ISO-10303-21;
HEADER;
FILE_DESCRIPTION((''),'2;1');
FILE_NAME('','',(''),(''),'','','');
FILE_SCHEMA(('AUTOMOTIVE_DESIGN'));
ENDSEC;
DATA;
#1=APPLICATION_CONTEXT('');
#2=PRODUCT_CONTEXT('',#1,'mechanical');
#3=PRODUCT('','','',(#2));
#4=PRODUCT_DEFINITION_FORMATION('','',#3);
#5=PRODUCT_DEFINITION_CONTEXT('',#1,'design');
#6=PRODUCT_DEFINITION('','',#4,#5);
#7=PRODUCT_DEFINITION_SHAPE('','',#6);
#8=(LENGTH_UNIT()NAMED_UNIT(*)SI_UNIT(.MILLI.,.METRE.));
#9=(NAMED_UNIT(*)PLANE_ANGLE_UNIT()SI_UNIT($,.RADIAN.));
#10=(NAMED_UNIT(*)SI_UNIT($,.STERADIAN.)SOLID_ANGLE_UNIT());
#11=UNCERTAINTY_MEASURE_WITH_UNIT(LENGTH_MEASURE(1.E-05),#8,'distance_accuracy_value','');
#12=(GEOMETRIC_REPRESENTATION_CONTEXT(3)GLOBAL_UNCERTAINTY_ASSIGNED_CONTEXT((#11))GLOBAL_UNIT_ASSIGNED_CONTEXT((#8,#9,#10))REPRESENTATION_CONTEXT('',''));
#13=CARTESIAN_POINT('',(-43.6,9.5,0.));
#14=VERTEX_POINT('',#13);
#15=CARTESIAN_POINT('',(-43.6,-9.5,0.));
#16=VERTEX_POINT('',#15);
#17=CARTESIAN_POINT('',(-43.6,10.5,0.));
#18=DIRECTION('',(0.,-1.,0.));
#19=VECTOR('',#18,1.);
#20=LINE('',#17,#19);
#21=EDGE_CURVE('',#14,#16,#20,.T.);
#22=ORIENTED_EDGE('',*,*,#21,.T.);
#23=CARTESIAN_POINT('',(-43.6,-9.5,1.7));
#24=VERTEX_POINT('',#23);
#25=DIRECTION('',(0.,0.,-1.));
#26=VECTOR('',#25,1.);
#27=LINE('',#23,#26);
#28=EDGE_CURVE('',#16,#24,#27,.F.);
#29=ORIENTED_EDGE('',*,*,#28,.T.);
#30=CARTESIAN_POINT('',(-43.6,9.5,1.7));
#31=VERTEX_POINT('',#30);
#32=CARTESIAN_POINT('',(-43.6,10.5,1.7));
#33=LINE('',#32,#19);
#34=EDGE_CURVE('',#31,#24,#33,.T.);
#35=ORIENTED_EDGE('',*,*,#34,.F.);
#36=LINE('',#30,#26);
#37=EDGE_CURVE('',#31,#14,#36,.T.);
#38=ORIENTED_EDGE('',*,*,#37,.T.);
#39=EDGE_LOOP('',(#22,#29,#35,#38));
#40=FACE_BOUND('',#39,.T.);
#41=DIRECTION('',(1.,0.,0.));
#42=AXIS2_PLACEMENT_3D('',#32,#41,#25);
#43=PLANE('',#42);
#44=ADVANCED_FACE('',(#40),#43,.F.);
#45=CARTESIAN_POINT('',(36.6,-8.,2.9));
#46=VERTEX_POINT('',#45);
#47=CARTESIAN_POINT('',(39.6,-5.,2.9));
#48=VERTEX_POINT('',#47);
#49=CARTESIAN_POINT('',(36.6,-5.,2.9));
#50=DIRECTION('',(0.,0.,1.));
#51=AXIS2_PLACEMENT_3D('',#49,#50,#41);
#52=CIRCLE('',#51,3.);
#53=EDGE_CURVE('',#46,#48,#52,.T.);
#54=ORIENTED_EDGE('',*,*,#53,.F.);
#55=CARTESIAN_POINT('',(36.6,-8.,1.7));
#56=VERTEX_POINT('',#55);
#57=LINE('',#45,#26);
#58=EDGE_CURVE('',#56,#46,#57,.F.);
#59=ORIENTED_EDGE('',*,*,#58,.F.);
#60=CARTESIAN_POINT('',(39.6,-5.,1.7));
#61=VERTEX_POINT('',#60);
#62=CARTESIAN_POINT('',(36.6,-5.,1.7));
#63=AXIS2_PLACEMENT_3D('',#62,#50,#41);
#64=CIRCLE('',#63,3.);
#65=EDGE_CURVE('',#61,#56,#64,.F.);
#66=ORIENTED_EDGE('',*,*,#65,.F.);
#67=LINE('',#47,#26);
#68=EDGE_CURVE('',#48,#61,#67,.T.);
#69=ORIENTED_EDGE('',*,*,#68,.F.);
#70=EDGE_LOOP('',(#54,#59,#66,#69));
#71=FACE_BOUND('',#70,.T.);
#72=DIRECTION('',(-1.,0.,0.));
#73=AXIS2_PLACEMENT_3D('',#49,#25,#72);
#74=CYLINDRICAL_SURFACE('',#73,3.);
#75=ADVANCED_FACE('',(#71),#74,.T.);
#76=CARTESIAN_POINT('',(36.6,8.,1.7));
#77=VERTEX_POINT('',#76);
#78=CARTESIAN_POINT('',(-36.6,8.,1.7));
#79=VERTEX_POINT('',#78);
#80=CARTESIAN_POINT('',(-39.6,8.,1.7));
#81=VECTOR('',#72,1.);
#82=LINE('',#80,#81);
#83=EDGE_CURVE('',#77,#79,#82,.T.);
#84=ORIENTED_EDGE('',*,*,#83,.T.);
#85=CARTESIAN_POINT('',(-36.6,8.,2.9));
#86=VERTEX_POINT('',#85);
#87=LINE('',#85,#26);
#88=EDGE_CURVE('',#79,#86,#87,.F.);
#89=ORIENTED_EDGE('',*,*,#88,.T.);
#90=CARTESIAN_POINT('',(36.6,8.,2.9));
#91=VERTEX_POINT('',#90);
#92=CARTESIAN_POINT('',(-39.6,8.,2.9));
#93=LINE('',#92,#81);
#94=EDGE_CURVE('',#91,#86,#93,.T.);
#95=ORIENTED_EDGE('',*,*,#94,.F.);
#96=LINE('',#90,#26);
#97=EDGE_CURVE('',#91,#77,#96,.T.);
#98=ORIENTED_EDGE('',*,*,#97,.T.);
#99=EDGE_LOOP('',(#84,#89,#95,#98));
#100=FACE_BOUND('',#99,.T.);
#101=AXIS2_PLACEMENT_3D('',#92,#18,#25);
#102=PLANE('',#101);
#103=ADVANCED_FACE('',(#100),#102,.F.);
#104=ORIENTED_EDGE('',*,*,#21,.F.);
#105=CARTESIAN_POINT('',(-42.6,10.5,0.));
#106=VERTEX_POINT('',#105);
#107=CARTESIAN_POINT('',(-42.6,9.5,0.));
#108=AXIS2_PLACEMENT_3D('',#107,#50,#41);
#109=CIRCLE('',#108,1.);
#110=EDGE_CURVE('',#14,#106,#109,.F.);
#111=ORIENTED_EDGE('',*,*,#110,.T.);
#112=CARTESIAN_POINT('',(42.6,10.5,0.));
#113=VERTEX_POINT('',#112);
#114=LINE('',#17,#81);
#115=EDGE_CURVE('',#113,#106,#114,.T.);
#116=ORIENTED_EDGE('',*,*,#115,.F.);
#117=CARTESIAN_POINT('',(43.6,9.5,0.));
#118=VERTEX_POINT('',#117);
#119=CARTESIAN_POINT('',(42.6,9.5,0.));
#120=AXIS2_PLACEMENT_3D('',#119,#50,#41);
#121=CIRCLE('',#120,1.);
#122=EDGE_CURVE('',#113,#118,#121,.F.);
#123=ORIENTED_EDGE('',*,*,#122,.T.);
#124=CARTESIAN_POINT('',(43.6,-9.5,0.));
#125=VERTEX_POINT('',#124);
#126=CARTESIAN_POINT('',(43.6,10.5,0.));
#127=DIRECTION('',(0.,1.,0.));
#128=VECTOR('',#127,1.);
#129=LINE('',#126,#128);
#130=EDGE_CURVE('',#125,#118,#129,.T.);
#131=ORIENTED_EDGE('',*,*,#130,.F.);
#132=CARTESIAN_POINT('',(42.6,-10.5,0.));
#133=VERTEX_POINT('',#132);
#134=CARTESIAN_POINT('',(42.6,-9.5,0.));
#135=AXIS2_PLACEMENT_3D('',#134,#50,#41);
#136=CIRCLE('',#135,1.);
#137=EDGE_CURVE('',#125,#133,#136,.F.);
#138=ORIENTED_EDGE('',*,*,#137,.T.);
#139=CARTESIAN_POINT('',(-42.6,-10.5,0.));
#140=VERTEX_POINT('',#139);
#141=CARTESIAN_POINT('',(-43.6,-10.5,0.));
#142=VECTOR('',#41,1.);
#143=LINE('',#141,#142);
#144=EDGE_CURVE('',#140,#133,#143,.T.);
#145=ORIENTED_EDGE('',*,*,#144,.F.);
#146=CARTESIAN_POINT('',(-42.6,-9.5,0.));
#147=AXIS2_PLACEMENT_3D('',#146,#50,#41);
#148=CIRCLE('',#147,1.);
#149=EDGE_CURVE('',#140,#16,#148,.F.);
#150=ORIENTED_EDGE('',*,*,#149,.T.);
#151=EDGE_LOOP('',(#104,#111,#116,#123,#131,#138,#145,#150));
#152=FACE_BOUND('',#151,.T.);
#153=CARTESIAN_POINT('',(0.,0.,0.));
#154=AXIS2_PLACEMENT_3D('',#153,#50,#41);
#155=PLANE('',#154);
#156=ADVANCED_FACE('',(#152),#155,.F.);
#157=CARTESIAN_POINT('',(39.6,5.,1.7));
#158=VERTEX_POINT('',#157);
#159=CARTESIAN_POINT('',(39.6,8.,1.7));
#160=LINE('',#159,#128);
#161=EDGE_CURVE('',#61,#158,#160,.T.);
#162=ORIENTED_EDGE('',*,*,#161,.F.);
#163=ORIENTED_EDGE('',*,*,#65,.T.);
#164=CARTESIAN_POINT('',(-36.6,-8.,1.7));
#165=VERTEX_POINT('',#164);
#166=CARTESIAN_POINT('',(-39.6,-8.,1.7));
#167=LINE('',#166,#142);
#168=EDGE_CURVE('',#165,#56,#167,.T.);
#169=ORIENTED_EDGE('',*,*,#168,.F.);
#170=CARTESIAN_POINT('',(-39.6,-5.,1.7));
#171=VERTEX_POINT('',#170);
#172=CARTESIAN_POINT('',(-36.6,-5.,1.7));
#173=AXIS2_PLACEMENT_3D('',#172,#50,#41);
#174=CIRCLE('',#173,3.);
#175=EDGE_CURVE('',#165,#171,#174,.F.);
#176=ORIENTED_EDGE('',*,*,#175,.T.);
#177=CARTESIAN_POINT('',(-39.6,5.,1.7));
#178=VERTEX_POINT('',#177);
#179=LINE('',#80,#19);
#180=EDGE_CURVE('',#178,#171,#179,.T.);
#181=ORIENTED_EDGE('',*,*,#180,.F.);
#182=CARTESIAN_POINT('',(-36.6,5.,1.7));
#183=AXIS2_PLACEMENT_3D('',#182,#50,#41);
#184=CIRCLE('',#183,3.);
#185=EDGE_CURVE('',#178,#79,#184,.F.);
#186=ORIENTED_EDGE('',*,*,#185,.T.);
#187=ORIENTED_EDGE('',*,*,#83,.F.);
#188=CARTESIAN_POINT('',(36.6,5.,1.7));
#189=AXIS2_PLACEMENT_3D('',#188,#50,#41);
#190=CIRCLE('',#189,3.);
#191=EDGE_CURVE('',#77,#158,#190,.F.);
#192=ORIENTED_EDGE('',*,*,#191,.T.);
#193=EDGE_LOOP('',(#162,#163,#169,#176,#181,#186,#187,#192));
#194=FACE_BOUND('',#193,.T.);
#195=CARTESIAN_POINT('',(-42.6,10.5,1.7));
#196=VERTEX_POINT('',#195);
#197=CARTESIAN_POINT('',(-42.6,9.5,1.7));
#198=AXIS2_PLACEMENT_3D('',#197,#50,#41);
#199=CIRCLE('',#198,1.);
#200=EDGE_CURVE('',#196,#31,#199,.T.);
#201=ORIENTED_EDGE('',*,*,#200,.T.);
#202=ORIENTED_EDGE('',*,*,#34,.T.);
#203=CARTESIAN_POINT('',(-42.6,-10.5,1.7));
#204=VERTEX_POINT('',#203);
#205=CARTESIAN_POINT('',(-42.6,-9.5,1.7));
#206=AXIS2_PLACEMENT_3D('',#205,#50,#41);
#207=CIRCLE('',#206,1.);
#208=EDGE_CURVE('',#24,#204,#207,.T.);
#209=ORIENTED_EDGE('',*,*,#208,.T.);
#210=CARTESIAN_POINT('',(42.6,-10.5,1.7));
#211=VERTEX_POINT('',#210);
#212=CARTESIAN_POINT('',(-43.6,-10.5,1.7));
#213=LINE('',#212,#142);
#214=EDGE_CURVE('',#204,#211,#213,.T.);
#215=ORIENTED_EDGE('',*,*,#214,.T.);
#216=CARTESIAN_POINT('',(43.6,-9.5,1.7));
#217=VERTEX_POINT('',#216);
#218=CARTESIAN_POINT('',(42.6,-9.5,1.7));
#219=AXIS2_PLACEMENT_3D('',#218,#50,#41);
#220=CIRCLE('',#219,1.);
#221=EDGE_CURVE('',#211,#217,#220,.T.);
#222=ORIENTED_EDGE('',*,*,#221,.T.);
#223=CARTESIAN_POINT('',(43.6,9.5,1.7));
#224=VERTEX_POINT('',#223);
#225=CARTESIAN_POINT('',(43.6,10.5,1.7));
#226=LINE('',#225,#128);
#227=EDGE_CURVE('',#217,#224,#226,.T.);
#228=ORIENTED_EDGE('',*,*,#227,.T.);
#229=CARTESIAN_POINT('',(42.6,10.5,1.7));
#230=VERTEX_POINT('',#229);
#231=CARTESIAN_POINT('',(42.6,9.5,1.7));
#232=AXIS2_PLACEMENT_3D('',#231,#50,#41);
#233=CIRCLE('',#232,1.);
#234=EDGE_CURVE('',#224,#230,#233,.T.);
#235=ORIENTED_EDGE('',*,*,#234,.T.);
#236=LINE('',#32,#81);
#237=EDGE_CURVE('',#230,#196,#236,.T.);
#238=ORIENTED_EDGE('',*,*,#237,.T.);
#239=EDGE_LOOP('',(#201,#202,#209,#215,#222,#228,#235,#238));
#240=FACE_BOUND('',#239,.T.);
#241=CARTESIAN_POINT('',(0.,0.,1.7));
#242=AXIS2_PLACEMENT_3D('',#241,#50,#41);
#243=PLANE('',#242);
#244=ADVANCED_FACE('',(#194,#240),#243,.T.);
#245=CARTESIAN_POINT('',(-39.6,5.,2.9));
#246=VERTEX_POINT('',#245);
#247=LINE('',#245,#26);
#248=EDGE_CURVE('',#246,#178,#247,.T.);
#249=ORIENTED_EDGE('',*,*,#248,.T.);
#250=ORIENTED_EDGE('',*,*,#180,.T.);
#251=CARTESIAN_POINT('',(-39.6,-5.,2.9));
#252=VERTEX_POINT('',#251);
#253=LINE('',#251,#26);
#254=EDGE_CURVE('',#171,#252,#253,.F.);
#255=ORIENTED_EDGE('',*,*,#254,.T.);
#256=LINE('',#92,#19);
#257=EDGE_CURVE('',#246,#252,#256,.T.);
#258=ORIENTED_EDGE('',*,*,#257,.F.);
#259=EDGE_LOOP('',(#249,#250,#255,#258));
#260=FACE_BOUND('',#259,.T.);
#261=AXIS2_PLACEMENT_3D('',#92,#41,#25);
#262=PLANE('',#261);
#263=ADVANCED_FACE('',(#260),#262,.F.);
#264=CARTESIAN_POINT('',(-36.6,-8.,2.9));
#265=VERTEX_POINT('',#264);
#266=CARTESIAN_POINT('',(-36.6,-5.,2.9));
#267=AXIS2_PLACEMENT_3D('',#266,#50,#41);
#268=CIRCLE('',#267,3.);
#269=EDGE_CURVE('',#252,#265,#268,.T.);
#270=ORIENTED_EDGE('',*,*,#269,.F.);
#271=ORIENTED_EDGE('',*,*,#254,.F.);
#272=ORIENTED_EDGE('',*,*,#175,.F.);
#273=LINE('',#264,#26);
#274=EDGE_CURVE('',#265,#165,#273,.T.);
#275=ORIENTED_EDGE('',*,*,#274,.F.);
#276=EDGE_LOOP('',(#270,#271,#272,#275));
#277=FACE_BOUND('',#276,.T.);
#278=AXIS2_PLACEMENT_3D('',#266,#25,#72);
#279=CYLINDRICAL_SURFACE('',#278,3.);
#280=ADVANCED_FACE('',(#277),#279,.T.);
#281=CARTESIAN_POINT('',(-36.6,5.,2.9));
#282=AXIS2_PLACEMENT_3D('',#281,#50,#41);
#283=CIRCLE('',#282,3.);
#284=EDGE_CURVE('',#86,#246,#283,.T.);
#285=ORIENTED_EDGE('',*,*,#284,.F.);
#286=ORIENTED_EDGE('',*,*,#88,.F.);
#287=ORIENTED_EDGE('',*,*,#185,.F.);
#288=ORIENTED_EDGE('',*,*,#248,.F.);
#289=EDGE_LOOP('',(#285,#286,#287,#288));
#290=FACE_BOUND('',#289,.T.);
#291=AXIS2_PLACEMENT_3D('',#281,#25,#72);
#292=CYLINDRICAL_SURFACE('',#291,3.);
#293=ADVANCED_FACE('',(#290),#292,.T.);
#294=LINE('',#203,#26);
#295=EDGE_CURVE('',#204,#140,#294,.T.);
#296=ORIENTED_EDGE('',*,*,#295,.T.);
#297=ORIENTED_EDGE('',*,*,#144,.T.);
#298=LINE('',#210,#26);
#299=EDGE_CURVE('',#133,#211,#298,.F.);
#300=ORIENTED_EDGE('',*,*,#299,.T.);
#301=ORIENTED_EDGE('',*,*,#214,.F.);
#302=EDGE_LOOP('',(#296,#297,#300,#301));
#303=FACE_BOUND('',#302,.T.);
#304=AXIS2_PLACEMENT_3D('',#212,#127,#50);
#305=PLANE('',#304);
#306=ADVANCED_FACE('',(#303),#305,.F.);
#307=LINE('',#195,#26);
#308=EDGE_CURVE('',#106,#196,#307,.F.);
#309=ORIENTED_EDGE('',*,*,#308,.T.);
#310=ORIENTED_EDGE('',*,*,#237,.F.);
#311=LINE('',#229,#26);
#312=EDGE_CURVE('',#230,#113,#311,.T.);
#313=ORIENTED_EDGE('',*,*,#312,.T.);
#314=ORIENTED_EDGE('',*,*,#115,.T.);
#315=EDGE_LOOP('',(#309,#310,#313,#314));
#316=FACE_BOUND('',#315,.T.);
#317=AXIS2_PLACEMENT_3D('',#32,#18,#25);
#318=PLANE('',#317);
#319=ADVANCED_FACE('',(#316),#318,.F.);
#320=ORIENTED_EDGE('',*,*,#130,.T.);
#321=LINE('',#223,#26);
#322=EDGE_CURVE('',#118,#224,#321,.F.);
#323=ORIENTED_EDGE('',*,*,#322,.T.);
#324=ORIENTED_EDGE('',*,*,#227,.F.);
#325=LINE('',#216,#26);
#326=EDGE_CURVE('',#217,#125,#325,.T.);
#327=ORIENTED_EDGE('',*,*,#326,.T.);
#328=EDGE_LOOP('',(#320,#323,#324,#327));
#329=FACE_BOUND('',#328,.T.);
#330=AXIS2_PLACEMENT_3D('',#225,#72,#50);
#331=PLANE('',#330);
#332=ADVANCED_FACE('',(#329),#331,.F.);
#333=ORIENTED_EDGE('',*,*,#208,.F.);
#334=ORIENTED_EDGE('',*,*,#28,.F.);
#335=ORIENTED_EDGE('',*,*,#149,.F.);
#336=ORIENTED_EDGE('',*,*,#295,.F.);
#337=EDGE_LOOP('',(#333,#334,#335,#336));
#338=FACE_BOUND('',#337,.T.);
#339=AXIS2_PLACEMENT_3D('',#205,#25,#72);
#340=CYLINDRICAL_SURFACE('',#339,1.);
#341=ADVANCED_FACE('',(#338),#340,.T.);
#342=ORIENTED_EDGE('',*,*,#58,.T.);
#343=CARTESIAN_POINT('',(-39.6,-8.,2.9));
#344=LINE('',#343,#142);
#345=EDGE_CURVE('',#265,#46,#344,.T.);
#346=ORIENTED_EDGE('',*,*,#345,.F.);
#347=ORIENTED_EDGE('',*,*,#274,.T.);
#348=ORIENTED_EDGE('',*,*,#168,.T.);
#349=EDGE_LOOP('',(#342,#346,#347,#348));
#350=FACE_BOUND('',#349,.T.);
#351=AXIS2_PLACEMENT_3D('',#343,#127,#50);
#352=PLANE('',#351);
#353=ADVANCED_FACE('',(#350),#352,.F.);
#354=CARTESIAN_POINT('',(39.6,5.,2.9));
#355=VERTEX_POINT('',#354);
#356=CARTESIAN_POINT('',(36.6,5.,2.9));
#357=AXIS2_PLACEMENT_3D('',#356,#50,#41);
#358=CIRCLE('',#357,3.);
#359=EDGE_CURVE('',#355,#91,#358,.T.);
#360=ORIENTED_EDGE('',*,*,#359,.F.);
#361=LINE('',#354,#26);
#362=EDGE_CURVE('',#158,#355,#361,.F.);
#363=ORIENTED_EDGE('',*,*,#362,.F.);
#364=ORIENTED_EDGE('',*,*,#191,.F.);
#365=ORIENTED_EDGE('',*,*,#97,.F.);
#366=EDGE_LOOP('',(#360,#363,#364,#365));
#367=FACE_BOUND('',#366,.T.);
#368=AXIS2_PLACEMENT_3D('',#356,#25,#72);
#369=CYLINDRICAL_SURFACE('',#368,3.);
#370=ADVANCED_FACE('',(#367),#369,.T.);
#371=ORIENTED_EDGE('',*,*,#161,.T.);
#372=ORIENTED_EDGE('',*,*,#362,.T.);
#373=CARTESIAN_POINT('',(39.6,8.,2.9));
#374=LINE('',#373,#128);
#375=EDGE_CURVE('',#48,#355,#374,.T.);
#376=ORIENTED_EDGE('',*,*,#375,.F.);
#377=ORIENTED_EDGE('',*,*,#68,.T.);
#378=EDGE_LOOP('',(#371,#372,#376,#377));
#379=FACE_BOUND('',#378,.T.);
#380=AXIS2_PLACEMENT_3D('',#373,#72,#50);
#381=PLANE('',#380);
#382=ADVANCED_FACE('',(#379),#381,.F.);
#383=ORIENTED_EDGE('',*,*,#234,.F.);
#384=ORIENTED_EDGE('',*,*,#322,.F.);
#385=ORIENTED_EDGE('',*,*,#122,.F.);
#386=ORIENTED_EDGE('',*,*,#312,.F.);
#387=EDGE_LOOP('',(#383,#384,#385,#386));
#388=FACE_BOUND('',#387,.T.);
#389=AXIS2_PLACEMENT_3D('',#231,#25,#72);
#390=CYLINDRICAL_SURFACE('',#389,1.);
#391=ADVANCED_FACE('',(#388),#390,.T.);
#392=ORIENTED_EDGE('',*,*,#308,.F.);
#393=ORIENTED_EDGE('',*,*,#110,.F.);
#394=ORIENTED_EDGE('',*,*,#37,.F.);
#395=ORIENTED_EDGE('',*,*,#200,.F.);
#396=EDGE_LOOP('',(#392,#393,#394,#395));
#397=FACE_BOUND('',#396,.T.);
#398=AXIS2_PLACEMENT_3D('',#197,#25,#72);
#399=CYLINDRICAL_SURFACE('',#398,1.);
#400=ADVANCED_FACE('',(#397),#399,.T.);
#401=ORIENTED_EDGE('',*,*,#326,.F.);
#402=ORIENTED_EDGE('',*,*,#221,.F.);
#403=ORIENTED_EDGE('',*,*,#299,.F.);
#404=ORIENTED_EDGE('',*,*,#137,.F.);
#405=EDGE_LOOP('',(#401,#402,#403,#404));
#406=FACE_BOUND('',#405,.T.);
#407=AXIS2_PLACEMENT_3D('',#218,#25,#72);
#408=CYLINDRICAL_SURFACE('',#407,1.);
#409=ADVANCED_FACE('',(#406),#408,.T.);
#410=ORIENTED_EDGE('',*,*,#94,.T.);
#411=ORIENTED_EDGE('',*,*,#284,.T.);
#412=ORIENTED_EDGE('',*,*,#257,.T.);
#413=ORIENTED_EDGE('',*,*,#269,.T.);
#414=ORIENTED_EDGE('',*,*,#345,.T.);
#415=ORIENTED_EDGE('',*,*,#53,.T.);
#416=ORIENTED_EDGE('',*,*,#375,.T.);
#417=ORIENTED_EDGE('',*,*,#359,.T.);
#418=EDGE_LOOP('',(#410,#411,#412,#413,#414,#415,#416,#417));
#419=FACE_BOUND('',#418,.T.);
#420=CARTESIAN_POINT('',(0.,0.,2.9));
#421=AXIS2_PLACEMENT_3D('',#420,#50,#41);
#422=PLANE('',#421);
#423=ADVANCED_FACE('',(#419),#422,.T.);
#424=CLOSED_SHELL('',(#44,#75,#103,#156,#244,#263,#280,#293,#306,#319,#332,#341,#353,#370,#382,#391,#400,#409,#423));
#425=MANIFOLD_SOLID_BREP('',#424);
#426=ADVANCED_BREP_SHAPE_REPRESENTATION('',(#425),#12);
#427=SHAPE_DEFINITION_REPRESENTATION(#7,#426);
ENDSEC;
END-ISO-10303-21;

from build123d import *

# Parameters (mm, degrees)
SKETCH_1_W      = 87.2
SKETCH_1_H      = 21
EXTRUDE_1_DEPTH = 1.7
SKETCH_2_W      = 79.2
SKETCH_2_H      = 16
EXTRUDE_2_DEPTH = 1.2
FILLET_1_R      = 3
FILLET_2_R      = 1


with BuildPart() as part:
    # Эскиз1 → Бобышка-Вытянуть1 (new body)
    with BuildSketch(Plane.XY):
        Rectangle(SKETCH_1_W, SKETCH_1_H)
    extrude(amount=EXTRUDE_1_DEPTH)

    # Эскиз2 → Бобышка-Вытянуть2 (add)
    with BuildSketch(Plane.XY.offset(1.7)):
        Rectangle(SKETCH_2_W, SKETCH_2_H)
    extrude(amount=EXTRUDE_2_DEPTH)

    # Скругление1
    fillet_1_edges = [part.edges().sort_by_distance(p)[0] for p in [
        (39.6, -8, 2.3),
        (39.6, 8, 2.3),
        (-39.6, 8, 2.3),
        (-39.6, -8, 2.3),
    ]]
    fillet(fillet_1_edges, radius=FILLET_1_R)

    # Скругление2
    fillet_2_edges = [part.edges().sort_by_distance(p)[0] for p in [
        (43.6, -10.5, 0.85),
        (-43.6, -10.5, 0.85),
        (-43.6, 10.5, 0.85),
        (43.6, 10.5, 0.85),
    ]]
    fillet(fillet_2_edges, radius=FILLET_2_R)


solid = part.part
